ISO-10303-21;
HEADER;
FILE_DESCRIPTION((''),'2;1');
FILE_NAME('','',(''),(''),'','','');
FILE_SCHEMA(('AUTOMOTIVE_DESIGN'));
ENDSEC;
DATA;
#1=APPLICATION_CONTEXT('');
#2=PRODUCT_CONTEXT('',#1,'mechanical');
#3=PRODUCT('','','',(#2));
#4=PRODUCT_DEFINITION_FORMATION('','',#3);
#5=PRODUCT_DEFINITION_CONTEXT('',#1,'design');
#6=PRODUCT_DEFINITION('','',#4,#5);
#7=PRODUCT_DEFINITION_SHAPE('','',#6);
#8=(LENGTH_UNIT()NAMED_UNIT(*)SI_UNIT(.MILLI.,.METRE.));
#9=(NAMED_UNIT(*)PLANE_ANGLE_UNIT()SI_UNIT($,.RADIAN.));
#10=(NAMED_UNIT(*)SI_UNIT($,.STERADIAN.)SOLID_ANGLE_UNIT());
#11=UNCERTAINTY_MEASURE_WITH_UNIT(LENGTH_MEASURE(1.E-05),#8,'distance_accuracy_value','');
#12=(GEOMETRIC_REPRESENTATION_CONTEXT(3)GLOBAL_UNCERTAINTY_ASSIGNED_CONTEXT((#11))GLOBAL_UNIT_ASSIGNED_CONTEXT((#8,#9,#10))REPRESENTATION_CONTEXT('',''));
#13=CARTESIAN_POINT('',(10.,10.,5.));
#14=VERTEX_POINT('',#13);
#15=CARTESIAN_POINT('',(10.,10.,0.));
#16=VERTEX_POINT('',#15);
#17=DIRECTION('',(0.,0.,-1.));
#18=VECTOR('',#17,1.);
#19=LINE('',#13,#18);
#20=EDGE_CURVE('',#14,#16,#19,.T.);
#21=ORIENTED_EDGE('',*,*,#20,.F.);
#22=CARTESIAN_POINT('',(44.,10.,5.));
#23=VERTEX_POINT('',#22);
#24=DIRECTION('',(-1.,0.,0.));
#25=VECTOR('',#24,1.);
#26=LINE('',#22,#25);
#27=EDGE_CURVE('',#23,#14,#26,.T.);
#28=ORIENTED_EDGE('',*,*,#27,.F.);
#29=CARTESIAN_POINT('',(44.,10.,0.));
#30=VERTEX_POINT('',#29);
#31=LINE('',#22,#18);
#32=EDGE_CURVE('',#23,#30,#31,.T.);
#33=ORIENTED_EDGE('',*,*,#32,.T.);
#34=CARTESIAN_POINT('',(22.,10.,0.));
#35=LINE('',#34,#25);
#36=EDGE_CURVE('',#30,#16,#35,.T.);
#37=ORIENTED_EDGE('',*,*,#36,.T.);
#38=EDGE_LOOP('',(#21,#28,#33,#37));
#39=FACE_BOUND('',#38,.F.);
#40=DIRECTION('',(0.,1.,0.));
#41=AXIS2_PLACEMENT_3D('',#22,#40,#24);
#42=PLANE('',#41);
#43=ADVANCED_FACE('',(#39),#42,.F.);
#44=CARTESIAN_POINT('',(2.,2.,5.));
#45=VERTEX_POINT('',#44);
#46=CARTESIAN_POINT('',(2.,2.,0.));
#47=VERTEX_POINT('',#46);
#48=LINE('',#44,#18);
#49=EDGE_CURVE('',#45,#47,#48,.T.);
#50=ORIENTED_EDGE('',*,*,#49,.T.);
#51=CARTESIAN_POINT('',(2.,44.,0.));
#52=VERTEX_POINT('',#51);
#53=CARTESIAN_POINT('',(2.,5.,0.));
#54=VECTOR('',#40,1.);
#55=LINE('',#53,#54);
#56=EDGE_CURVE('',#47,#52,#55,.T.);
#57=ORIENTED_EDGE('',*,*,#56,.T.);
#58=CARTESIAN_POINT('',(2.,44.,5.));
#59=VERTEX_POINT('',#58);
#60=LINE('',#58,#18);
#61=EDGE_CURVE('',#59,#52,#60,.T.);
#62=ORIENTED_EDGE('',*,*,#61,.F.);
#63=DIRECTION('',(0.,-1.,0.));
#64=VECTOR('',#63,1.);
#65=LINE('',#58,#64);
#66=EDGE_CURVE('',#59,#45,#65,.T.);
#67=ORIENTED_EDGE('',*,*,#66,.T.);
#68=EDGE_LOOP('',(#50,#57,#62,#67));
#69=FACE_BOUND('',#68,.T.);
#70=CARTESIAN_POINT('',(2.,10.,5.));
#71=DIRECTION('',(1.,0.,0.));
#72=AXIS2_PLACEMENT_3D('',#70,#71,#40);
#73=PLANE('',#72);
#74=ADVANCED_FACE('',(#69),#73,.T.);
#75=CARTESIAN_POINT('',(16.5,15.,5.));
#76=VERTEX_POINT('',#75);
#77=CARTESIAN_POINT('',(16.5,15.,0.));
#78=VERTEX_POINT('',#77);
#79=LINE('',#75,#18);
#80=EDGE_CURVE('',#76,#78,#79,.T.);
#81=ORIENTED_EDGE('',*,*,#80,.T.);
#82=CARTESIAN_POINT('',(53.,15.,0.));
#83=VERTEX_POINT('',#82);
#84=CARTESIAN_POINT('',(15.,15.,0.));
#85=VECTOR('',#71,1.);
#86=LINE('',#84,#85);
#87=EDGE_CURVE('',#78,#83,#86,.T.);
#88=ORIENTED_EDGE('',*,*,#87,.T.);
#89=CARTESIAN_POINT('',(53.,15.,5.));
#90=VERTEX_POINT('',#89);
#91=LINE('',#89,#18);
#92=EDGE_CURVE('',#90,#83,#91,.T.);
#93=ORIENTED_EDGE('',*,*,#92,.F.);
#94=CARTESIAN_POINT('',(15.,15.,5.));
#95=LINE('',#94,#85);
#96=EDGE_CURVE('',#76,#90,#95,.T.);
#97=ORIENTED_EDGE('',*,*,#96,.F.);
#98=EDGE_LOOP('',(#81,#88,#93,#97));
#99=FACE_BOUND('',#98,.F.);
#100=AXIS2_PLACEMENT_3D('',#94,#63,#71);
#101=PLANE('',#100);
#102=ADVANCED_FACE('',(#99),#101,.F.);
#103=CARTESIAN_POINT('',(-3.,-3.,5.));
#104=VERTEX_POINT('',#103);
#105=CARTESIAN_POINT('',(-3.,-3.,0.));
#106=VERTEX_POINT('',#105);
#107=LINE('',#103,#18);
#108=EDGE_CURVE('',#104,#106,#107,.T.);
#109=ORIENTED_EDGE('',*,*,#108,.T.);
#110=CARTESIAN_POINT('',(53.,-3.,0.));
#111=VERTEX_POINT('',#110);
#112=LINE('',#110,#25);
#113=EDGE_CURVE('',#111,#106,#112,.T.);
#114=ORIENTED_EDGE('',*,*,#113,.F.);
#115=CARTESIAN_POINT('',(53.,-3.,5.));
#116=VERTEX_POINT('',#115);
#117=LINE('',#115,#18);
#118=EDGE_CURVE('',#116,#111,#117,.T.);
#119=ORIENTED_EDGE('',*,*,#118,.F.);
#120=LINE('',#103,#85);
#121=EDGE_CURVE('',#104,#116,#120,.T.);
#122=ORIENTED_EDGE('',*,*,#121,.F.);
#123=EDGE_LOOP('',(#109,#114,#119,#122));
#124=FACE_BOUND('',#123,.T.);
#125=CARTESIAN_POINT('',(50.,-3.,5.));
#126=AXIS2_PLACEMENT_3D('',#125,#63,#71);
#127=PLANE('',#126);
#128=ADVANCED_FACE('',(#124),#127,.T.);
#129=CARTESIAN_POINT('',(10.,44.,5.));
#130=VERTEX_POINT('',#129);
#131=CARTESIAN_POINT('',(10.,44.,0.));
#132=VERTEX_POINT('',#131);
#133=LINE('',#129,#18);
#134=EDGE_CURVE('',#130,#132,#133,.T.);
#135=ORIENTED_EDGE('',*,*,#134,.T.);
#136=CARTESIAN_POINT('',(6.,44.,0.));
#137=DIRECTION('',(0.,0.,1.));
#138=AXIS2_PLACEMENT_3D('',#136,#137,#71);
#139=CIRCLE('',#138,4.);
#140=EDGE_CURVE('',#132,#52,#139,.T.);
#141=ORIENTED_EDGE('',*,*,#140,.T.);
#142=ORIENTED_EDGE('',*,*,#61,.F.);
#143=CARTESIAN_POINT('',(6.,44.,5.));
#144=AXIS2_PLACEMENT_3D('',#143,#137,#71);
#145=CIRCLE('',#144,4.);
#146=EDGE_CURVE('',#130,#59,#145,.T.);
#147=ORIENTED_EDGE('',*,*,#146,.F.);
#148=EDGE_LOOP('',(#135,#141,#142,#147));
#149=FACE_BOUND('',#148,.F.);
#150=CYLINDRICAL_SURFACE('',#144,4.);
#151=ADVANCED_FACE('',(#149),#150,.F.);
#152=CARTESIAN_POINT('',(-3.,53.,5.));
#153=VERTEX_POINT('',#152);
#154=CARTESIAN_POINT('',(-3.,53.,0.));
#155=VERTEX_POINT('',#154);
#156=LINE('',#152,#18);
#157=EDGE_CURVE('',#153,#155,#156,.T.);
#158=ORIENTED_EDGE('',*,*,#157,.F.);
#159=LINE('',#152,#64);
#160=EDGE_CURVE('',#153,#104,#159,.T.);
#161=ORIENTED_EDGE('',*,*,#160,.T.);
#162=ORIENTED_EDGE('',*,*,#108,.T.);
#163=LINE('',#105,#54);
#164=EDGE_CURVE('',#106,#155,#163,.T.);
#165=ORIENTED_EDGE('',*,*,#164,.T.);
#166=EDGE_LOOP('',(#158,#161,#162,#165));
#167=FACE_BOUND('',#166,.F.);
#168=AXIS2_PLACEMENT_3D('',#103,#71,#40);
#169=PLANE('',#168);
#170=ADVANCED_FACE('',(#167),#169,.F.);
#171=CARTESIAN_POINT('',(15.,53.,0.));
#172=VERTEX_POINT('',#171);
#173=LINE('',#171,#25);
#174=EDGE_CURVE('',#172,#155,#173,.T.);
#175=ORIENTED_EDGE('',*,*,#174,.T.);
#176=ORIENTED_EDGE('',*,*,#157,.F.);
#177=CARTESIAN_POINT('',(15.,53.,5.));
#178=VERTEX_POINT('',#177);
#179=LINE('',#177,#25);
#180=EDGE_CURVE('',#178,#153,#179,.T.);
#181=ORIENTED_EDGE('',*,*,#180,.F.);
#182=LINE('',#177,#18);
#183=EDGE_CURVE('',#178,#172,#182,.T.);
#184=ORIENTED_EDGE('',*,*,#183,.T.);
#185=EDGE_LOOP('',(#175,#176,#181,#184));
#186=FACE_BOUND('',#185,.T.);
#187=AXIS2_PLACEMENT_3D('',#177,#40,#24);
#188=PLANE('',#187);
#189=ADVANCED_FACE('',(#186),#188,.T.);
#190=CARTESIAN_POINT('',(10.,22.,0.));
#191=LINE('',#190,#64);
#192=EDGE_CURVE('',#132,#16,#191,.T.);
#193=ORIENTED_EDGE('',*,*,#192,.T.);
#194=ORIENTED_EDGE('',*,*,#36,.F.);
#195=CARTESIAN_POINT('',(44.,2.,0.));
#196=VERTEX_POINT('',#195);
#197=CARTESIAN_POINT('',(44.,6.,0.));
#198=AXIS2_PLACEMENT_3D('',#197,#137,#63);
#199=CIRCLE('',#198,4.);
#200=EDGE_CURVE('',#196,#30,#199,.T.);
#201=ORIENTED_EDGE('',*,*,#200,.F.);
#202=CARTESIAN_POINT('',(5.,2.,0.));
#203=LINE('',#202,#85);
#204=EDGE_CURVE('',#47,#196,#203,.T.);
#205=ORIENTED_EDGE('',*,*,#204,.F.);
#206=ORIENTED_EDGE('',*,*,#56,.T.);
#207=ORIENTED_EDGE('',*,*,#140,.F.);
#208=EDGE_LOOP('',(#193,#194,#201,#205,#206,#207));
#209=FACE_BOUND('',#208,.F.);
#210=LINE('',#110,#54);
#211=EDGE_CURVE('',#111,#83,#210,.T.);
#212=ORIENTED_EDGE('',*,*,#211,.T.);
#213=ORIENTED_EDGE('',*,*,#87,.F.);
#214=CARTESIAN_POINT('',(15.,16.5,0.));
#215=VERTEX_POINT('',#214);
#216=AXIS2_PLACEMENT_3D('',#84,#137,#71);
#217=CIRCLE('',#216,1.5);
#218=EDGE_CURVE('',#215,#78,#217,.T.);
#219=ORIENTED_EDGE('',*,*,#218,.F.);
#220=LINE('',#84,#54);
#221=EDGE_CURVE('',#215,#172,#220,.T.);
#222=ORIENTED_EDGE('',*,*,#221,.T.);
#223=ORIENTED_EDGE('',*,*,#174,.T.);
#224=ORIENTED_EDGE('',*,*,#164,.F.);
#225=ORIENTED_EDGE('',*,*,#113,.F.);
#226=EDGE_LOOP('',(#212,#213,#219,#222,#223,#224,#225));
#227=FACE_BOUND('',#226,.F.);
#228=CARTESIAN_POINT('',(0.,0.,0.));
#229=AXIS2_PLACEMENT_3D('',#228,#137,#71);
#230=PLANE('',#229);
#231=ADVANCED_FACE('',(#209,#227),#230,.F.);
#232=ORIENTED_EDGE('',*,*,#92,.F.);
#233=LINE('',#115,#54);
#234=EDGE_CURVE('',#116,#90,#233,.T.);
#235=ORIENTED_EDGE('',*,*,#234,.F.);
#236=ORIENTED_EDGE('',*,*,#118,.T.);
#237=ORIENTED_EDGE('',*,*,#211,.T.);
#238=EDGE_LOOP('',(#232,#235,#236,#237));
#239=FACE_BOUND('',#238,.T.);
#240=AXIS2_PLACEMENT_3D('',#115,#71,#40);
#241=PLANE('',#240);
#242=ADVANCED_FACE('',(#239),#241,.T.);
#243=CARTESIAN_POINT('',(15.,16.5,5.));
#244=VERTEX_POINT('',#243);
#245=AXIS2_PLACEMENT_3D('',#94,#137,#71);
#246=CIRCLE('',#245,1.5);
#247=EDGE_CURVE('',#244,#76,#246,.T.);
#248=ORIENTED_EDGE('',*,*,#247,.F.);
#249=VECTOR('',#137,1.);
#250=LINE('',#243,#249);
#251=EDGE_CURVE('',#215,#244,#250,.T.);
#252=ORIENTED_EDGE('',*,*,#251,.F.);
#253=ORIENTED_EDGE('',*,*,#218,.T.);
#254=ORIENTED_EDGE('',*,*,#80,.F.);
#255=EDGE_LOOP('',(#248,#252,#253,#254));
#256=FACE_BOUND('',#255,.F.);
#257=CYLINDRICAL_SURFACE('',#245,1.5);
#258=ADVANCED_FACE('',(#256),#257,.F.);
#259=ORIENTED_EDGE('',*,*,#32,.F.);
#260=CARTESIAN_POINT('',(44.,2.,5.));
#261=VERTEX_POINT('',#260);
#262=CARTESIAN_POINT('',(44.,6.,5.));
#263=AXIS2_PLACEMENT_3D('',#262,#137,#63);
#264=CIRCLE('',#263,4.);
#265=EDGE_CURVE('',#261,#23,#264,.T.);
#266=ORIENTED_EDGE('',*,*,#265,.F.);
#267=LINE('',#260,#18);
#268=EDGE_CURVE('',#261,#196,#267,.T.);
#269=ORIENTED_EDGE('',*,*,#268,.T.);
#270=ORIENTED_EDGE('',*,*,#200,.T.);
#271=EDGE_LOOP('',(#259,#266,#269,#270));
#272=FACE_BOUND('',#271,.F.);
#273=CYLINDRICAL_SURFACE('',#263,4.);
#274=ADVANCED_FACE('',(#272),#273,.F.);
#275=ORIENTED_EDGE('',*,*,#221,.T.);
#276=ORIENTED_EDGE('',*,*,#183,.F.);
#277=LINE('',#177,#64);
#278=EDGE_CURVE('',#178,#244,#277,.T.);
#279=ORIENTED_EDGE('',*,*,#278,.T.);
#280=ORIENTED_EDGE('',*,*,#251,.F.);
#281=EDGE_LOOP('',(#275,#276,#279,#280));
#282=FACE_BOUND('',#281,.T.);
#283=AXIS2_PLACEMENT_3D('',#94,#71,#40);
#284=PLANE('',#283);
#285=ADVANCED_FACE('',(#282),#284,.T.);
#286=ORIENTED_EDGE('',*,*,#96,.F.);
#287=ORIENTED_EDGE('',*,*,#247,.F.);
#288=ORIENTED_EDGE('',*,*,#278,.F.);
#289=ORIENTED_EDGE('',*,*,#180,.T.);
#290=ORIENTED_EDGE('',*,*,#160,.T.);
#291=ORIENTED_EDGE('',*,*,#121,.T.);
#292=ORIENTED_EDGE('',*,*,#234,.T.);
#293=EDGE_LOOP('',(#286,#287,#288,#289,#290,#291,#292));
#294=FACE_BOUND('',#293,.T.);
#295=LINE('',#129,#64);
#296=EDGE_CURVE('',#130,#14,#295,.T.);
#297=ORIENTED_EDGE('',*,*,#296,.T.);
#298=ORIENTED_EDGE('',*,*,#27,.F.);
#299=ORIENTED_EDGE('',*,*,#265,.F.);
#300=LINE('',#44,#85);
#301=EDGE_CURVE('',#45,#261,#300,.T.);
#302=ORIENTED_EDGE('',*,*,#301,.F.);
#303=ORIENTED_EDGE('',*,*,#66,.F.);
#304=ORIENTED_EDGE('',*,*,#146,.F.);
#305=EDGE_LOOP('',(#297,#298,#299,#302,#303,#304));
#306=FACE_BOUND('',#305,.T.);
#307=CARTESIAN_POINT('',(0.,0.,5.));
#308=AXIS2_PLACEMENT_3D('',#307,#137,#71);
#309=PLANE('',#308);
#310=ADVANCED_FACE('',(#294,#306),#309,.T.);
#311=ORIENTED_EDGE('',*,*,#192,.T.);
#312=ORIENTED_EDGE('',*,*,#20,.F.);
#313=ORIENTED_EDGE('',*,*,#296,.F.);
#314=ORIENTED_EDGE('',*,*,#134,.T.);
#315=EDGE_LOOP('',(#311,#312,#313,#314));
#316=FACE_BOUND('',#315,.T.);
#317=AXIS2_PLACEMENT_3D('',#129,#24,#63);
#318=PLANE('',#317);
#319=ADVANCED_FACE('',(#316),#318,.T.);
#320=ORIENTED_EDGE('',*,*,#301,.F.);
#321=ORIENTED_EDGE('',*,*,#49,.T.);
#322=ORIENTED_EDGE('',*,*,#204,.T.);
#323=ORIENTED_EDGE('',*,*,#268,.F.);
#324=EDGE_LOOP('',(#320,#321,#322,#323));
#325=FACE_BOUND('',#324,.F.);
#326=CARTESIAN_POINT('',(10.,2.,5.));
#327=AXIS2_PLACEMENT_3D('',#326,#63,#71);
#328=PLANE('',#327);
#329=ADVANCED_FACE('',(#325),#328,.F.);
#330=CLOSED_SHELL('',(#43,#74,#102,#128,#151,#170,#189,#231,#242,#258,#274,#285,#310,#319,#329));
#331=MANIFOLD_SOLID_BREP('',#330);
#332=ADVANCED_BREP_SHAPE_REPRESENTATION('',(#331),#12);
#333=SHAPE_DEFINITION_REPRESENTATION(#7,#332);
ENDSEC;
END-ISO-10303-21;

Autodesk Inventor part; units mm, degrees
ref_plane "YZ Plane" through (0, 0, 0) normal (1, 0, 0) x (0, 1, 0)
ref_plane "XZ Plane" through (0, 0, 0) normal (0, 1, 0) x (-1, 0, 0)
ref_plane "XY Plane" through (0, 0, 0) normal (0, 0, 1) x (1, 0, 0)
sketch "Sketch1" plane through (0, 0, 0) normal (0, 0, 1) x (1, 0, 0)
  line L0 (0, 0) -> (0, 50)
  line L1 (0, 50) -> (12, 50)
  line L2 (12, 50) -> (12, 12)
  line L3 (12, 12) -> (50, 12)
  line L4 (50, 12) -> (50, 0)
  line L5 (50, 0) -> (0, 0)
  dimension "d0" = 50
  dimension "d1" = 12
  dimension "d2" = 38
  dimension "d3" = 38
extrude "Extrusion1" add sketch "Sketch1" along normal blind 5
sketch "Sketch2" plane through (0, 0, 5) normal (0, 0, 1) x (1, 0, 0)
  line L0 (10, 44) -> (10, 2)
  line L1 (10, 2) -> (2, 2)
  line L2 (2, 2) -> (2, 44)
  line L3 (12, 12) -> (12, 50) projected
  line L4 (12, 50) -> (0, 50) projected
  arc A0 (10, 44) -> (2, 44) centre (6, 44) ccw
  line L5 (0, 0) -> (50, 0) projected
  line L6 (2, 2) -> (44, 2)
  line L7 (44, 10) -> (2, 10)
  line L8 (2, 10) -> (2, 2)
  arc A1 (44, 2) -> (44, 10) centre (44, 6) ccw
  line L9 (50, 0) -> (50, 12) projected
  line L10 (50, 12) -> (12, 12) projected
  point P0 (10, 2)
  point P1 (10, 10)
  dimension "d6" = 8
  dimension "d7" = 2
  dimension "d9" = 4
  dimension "d10" = 6
  dimension "d11" = 2
  dimension "d12" = 8
  dimension "d13" = 6
  dimension "d14" = 2
  dimension "d15" = 4
extrude "Extrusion2" cut sketch "Sketch2" against normal through all
sketch "Sketch3" plane through (0, 0, 5) normal (0, 0, 1) x (1, 0, 0)
  line L0 (15, 15) -> (15, 50)
  line L1 (-3, 50) -> (-3, 0)
  line L2 (15, 15) -> (53, 15)
  line L3 (50, -3) -> (-3, -3)
  line L4 (-3, -3) -> (-3, 16.0843)
  line L5 (0, 50) -> (0, 0) projected
  line L6 (12, 12) -> (12, 50) projected
  line L7 (50, 12) -> (12, 12) projected
  line L8 (0, 0) -> (50, 0) projected
  line L9 (15, 50) -> (15, 53)
  line L10 (15, 53) -> (-3, 53)
  line L11 (-3, 53) -> (-3, 50)
  line L12 (50, -3) -> (53, -3)
  line L13 (53, -3) -> (53, 15)
  line L14 (12, 50) -> (0, 50) projected
  line L15 (50, 0) -> (50, 12) projected
  dimension "d18" = 3
  dimension "d19" = 3
  dimension "d20" = 3
  dimension "d21" = 3
  dimension "d24" = 3
  dimension "d25" = 3
extrude "Extrusion3" add sketch "Sketch3" against normal blind 5
sketch "Sketch4" plane through (0, 0, 5) normal (0, 0, 1) x (1, 0, 0)
  line L0 (53, 15) -> (15, 15) projected
  circle A0 centre (15, 15) radius 1.5
  point P0 (0, 0)
  dimension "d28" = 3
extrude "Extrusion4" cut sketch "Sketch4" against normal blind 5
properties part number "Kabelhalterung_V1"
